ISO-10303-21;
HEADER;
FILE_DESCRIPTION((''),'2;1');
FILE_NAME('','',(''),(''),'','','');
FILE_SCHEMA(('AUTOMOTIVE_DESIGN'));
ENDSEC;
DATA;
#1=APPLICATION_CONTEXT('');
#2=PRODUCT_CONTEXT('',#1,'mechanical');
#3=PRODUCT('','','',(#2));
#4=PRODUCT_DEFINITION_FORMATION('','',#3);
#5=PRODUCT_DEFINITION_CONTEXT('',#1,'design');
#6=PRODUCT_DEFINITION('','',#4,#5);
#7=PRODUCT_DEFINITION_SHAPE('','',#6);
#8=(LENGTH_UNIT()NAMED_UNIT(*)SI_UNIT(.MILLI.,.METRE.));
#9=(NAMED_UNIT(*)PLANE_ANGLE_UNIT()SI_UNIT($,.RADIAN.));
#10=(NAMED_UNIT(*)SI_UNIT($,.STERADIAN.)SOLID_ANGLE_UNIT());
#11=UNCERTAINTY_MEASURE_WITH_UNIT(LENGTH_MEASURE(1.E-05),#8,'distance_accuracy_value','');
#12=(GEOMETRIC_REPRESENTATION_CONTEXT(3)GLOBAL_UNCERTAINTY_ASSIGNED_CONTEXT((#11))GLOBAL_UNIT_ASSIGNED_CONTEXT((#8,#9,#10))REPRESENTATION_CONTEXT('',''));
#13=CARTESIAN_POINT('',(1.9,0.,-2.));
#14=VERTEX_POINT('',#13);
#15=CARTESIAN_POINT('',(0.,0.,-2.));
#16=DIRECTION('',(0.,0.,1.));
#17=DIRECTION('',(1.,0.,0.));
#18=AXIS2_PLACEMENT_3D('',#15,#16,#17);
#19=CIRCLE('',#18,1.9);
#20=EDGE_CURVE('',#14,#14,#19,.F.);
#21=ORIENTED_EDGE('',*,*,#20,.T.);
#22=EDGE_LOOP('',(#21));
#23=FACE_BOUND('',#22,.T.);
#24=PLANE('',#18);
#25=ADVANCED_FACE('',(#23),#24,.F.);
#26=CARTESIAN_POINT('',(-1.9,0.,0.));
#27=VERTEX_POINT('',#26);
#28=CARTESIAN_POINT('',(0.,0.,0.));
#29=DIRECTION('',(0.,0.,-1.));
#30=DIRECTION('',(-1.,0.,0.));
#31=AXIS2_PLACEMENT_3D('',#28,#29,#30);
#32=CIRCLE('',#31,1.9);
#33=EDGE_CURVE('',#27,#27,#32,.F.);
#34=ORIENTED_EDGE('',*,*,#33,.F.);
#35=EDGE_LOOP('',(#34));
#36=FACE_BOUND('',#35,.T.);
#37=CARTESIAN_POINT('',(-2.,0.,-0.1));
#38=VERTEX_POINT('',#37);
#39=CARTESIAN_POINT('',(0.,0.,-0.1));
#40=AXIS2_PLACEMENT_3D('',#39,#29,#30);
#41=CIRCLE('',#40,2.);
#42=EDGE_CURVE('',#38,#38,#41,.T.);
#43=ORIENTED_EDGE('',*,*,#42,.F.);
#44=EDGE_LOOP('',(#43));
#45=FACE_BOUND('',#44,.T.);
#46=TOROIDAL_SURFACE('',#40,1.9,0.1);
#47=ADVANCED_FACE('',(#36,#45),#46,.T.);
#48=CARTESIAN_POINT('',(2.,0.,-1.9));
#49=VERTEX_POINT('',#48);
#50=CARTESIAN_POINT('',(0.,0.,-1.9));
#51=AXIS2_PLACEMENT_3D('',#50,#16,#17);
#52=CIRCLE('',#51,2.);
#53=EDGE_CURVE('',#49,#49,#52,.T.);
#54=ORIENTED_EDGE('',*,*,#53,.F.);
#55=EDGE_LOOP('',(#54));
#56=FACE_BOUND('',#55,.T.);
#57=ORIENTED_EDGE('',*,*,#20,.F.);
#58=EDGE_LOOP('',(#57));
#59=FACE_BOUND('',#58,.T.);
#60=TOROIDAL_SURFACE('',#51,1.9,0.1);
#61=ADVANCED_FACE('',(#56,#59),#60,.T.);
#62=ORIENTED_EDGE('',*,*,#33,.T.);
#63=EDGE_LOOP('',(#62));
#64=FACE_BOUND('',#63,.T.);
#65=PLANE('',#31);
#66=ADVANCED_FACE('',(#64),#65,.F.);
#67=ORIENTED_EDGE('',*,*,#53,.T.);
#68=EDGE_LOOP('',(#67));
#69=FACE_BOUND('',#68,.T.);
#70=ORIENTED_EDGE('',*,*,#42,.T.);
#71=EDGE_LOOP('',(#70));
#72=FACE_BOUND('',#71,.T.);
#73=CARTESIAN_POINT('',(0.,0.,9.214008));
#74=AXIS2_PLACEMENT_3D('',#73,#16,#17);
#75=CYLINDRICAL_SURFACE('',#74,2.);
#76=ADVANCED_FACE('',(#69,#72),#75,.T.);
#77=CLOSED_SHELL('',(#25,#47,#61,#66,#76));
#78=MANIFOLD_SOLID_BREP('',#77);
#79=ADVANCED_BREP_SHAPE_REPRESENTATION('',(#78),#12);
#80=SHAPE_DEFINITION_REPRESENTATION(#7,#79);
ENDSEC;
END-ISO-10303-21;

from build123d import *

# Parameters (mm, degrees)
SKETCH1_W = 2
SKETCH1_H = 2
FILLET1_R = 0.1


with BuildPart() as part:
    # Sketch1 → Revolve1 (revolve)
    with BuildSketch(Plane(origin=(0, 0, 0), x_dir=(0, 0, -1), z_dir=(1, 0, 0)), mode=Mode.PRIVATE) as revolve1_sk:
        with Locations((1, 1)):
            Rectangle(SKETCH1_W, SKETCH1_H)
    revolve(revolve1_sk.sketch.rotate(Axis((0, 0, 9.214007782), (0, 0, -1)), 90), axis=Axis((0, 0, 9.214007782), (0, 0, -1)))

    # Fillet1
    fillet1_edges = [part.edges().sort_by_distance(p)[0] for p in [
        (-2, 0, -2),
        (-2, 0, 0),
    ]]
    fillet(fillet1_edges, radius=FILLET1_R)


solid = part.part
